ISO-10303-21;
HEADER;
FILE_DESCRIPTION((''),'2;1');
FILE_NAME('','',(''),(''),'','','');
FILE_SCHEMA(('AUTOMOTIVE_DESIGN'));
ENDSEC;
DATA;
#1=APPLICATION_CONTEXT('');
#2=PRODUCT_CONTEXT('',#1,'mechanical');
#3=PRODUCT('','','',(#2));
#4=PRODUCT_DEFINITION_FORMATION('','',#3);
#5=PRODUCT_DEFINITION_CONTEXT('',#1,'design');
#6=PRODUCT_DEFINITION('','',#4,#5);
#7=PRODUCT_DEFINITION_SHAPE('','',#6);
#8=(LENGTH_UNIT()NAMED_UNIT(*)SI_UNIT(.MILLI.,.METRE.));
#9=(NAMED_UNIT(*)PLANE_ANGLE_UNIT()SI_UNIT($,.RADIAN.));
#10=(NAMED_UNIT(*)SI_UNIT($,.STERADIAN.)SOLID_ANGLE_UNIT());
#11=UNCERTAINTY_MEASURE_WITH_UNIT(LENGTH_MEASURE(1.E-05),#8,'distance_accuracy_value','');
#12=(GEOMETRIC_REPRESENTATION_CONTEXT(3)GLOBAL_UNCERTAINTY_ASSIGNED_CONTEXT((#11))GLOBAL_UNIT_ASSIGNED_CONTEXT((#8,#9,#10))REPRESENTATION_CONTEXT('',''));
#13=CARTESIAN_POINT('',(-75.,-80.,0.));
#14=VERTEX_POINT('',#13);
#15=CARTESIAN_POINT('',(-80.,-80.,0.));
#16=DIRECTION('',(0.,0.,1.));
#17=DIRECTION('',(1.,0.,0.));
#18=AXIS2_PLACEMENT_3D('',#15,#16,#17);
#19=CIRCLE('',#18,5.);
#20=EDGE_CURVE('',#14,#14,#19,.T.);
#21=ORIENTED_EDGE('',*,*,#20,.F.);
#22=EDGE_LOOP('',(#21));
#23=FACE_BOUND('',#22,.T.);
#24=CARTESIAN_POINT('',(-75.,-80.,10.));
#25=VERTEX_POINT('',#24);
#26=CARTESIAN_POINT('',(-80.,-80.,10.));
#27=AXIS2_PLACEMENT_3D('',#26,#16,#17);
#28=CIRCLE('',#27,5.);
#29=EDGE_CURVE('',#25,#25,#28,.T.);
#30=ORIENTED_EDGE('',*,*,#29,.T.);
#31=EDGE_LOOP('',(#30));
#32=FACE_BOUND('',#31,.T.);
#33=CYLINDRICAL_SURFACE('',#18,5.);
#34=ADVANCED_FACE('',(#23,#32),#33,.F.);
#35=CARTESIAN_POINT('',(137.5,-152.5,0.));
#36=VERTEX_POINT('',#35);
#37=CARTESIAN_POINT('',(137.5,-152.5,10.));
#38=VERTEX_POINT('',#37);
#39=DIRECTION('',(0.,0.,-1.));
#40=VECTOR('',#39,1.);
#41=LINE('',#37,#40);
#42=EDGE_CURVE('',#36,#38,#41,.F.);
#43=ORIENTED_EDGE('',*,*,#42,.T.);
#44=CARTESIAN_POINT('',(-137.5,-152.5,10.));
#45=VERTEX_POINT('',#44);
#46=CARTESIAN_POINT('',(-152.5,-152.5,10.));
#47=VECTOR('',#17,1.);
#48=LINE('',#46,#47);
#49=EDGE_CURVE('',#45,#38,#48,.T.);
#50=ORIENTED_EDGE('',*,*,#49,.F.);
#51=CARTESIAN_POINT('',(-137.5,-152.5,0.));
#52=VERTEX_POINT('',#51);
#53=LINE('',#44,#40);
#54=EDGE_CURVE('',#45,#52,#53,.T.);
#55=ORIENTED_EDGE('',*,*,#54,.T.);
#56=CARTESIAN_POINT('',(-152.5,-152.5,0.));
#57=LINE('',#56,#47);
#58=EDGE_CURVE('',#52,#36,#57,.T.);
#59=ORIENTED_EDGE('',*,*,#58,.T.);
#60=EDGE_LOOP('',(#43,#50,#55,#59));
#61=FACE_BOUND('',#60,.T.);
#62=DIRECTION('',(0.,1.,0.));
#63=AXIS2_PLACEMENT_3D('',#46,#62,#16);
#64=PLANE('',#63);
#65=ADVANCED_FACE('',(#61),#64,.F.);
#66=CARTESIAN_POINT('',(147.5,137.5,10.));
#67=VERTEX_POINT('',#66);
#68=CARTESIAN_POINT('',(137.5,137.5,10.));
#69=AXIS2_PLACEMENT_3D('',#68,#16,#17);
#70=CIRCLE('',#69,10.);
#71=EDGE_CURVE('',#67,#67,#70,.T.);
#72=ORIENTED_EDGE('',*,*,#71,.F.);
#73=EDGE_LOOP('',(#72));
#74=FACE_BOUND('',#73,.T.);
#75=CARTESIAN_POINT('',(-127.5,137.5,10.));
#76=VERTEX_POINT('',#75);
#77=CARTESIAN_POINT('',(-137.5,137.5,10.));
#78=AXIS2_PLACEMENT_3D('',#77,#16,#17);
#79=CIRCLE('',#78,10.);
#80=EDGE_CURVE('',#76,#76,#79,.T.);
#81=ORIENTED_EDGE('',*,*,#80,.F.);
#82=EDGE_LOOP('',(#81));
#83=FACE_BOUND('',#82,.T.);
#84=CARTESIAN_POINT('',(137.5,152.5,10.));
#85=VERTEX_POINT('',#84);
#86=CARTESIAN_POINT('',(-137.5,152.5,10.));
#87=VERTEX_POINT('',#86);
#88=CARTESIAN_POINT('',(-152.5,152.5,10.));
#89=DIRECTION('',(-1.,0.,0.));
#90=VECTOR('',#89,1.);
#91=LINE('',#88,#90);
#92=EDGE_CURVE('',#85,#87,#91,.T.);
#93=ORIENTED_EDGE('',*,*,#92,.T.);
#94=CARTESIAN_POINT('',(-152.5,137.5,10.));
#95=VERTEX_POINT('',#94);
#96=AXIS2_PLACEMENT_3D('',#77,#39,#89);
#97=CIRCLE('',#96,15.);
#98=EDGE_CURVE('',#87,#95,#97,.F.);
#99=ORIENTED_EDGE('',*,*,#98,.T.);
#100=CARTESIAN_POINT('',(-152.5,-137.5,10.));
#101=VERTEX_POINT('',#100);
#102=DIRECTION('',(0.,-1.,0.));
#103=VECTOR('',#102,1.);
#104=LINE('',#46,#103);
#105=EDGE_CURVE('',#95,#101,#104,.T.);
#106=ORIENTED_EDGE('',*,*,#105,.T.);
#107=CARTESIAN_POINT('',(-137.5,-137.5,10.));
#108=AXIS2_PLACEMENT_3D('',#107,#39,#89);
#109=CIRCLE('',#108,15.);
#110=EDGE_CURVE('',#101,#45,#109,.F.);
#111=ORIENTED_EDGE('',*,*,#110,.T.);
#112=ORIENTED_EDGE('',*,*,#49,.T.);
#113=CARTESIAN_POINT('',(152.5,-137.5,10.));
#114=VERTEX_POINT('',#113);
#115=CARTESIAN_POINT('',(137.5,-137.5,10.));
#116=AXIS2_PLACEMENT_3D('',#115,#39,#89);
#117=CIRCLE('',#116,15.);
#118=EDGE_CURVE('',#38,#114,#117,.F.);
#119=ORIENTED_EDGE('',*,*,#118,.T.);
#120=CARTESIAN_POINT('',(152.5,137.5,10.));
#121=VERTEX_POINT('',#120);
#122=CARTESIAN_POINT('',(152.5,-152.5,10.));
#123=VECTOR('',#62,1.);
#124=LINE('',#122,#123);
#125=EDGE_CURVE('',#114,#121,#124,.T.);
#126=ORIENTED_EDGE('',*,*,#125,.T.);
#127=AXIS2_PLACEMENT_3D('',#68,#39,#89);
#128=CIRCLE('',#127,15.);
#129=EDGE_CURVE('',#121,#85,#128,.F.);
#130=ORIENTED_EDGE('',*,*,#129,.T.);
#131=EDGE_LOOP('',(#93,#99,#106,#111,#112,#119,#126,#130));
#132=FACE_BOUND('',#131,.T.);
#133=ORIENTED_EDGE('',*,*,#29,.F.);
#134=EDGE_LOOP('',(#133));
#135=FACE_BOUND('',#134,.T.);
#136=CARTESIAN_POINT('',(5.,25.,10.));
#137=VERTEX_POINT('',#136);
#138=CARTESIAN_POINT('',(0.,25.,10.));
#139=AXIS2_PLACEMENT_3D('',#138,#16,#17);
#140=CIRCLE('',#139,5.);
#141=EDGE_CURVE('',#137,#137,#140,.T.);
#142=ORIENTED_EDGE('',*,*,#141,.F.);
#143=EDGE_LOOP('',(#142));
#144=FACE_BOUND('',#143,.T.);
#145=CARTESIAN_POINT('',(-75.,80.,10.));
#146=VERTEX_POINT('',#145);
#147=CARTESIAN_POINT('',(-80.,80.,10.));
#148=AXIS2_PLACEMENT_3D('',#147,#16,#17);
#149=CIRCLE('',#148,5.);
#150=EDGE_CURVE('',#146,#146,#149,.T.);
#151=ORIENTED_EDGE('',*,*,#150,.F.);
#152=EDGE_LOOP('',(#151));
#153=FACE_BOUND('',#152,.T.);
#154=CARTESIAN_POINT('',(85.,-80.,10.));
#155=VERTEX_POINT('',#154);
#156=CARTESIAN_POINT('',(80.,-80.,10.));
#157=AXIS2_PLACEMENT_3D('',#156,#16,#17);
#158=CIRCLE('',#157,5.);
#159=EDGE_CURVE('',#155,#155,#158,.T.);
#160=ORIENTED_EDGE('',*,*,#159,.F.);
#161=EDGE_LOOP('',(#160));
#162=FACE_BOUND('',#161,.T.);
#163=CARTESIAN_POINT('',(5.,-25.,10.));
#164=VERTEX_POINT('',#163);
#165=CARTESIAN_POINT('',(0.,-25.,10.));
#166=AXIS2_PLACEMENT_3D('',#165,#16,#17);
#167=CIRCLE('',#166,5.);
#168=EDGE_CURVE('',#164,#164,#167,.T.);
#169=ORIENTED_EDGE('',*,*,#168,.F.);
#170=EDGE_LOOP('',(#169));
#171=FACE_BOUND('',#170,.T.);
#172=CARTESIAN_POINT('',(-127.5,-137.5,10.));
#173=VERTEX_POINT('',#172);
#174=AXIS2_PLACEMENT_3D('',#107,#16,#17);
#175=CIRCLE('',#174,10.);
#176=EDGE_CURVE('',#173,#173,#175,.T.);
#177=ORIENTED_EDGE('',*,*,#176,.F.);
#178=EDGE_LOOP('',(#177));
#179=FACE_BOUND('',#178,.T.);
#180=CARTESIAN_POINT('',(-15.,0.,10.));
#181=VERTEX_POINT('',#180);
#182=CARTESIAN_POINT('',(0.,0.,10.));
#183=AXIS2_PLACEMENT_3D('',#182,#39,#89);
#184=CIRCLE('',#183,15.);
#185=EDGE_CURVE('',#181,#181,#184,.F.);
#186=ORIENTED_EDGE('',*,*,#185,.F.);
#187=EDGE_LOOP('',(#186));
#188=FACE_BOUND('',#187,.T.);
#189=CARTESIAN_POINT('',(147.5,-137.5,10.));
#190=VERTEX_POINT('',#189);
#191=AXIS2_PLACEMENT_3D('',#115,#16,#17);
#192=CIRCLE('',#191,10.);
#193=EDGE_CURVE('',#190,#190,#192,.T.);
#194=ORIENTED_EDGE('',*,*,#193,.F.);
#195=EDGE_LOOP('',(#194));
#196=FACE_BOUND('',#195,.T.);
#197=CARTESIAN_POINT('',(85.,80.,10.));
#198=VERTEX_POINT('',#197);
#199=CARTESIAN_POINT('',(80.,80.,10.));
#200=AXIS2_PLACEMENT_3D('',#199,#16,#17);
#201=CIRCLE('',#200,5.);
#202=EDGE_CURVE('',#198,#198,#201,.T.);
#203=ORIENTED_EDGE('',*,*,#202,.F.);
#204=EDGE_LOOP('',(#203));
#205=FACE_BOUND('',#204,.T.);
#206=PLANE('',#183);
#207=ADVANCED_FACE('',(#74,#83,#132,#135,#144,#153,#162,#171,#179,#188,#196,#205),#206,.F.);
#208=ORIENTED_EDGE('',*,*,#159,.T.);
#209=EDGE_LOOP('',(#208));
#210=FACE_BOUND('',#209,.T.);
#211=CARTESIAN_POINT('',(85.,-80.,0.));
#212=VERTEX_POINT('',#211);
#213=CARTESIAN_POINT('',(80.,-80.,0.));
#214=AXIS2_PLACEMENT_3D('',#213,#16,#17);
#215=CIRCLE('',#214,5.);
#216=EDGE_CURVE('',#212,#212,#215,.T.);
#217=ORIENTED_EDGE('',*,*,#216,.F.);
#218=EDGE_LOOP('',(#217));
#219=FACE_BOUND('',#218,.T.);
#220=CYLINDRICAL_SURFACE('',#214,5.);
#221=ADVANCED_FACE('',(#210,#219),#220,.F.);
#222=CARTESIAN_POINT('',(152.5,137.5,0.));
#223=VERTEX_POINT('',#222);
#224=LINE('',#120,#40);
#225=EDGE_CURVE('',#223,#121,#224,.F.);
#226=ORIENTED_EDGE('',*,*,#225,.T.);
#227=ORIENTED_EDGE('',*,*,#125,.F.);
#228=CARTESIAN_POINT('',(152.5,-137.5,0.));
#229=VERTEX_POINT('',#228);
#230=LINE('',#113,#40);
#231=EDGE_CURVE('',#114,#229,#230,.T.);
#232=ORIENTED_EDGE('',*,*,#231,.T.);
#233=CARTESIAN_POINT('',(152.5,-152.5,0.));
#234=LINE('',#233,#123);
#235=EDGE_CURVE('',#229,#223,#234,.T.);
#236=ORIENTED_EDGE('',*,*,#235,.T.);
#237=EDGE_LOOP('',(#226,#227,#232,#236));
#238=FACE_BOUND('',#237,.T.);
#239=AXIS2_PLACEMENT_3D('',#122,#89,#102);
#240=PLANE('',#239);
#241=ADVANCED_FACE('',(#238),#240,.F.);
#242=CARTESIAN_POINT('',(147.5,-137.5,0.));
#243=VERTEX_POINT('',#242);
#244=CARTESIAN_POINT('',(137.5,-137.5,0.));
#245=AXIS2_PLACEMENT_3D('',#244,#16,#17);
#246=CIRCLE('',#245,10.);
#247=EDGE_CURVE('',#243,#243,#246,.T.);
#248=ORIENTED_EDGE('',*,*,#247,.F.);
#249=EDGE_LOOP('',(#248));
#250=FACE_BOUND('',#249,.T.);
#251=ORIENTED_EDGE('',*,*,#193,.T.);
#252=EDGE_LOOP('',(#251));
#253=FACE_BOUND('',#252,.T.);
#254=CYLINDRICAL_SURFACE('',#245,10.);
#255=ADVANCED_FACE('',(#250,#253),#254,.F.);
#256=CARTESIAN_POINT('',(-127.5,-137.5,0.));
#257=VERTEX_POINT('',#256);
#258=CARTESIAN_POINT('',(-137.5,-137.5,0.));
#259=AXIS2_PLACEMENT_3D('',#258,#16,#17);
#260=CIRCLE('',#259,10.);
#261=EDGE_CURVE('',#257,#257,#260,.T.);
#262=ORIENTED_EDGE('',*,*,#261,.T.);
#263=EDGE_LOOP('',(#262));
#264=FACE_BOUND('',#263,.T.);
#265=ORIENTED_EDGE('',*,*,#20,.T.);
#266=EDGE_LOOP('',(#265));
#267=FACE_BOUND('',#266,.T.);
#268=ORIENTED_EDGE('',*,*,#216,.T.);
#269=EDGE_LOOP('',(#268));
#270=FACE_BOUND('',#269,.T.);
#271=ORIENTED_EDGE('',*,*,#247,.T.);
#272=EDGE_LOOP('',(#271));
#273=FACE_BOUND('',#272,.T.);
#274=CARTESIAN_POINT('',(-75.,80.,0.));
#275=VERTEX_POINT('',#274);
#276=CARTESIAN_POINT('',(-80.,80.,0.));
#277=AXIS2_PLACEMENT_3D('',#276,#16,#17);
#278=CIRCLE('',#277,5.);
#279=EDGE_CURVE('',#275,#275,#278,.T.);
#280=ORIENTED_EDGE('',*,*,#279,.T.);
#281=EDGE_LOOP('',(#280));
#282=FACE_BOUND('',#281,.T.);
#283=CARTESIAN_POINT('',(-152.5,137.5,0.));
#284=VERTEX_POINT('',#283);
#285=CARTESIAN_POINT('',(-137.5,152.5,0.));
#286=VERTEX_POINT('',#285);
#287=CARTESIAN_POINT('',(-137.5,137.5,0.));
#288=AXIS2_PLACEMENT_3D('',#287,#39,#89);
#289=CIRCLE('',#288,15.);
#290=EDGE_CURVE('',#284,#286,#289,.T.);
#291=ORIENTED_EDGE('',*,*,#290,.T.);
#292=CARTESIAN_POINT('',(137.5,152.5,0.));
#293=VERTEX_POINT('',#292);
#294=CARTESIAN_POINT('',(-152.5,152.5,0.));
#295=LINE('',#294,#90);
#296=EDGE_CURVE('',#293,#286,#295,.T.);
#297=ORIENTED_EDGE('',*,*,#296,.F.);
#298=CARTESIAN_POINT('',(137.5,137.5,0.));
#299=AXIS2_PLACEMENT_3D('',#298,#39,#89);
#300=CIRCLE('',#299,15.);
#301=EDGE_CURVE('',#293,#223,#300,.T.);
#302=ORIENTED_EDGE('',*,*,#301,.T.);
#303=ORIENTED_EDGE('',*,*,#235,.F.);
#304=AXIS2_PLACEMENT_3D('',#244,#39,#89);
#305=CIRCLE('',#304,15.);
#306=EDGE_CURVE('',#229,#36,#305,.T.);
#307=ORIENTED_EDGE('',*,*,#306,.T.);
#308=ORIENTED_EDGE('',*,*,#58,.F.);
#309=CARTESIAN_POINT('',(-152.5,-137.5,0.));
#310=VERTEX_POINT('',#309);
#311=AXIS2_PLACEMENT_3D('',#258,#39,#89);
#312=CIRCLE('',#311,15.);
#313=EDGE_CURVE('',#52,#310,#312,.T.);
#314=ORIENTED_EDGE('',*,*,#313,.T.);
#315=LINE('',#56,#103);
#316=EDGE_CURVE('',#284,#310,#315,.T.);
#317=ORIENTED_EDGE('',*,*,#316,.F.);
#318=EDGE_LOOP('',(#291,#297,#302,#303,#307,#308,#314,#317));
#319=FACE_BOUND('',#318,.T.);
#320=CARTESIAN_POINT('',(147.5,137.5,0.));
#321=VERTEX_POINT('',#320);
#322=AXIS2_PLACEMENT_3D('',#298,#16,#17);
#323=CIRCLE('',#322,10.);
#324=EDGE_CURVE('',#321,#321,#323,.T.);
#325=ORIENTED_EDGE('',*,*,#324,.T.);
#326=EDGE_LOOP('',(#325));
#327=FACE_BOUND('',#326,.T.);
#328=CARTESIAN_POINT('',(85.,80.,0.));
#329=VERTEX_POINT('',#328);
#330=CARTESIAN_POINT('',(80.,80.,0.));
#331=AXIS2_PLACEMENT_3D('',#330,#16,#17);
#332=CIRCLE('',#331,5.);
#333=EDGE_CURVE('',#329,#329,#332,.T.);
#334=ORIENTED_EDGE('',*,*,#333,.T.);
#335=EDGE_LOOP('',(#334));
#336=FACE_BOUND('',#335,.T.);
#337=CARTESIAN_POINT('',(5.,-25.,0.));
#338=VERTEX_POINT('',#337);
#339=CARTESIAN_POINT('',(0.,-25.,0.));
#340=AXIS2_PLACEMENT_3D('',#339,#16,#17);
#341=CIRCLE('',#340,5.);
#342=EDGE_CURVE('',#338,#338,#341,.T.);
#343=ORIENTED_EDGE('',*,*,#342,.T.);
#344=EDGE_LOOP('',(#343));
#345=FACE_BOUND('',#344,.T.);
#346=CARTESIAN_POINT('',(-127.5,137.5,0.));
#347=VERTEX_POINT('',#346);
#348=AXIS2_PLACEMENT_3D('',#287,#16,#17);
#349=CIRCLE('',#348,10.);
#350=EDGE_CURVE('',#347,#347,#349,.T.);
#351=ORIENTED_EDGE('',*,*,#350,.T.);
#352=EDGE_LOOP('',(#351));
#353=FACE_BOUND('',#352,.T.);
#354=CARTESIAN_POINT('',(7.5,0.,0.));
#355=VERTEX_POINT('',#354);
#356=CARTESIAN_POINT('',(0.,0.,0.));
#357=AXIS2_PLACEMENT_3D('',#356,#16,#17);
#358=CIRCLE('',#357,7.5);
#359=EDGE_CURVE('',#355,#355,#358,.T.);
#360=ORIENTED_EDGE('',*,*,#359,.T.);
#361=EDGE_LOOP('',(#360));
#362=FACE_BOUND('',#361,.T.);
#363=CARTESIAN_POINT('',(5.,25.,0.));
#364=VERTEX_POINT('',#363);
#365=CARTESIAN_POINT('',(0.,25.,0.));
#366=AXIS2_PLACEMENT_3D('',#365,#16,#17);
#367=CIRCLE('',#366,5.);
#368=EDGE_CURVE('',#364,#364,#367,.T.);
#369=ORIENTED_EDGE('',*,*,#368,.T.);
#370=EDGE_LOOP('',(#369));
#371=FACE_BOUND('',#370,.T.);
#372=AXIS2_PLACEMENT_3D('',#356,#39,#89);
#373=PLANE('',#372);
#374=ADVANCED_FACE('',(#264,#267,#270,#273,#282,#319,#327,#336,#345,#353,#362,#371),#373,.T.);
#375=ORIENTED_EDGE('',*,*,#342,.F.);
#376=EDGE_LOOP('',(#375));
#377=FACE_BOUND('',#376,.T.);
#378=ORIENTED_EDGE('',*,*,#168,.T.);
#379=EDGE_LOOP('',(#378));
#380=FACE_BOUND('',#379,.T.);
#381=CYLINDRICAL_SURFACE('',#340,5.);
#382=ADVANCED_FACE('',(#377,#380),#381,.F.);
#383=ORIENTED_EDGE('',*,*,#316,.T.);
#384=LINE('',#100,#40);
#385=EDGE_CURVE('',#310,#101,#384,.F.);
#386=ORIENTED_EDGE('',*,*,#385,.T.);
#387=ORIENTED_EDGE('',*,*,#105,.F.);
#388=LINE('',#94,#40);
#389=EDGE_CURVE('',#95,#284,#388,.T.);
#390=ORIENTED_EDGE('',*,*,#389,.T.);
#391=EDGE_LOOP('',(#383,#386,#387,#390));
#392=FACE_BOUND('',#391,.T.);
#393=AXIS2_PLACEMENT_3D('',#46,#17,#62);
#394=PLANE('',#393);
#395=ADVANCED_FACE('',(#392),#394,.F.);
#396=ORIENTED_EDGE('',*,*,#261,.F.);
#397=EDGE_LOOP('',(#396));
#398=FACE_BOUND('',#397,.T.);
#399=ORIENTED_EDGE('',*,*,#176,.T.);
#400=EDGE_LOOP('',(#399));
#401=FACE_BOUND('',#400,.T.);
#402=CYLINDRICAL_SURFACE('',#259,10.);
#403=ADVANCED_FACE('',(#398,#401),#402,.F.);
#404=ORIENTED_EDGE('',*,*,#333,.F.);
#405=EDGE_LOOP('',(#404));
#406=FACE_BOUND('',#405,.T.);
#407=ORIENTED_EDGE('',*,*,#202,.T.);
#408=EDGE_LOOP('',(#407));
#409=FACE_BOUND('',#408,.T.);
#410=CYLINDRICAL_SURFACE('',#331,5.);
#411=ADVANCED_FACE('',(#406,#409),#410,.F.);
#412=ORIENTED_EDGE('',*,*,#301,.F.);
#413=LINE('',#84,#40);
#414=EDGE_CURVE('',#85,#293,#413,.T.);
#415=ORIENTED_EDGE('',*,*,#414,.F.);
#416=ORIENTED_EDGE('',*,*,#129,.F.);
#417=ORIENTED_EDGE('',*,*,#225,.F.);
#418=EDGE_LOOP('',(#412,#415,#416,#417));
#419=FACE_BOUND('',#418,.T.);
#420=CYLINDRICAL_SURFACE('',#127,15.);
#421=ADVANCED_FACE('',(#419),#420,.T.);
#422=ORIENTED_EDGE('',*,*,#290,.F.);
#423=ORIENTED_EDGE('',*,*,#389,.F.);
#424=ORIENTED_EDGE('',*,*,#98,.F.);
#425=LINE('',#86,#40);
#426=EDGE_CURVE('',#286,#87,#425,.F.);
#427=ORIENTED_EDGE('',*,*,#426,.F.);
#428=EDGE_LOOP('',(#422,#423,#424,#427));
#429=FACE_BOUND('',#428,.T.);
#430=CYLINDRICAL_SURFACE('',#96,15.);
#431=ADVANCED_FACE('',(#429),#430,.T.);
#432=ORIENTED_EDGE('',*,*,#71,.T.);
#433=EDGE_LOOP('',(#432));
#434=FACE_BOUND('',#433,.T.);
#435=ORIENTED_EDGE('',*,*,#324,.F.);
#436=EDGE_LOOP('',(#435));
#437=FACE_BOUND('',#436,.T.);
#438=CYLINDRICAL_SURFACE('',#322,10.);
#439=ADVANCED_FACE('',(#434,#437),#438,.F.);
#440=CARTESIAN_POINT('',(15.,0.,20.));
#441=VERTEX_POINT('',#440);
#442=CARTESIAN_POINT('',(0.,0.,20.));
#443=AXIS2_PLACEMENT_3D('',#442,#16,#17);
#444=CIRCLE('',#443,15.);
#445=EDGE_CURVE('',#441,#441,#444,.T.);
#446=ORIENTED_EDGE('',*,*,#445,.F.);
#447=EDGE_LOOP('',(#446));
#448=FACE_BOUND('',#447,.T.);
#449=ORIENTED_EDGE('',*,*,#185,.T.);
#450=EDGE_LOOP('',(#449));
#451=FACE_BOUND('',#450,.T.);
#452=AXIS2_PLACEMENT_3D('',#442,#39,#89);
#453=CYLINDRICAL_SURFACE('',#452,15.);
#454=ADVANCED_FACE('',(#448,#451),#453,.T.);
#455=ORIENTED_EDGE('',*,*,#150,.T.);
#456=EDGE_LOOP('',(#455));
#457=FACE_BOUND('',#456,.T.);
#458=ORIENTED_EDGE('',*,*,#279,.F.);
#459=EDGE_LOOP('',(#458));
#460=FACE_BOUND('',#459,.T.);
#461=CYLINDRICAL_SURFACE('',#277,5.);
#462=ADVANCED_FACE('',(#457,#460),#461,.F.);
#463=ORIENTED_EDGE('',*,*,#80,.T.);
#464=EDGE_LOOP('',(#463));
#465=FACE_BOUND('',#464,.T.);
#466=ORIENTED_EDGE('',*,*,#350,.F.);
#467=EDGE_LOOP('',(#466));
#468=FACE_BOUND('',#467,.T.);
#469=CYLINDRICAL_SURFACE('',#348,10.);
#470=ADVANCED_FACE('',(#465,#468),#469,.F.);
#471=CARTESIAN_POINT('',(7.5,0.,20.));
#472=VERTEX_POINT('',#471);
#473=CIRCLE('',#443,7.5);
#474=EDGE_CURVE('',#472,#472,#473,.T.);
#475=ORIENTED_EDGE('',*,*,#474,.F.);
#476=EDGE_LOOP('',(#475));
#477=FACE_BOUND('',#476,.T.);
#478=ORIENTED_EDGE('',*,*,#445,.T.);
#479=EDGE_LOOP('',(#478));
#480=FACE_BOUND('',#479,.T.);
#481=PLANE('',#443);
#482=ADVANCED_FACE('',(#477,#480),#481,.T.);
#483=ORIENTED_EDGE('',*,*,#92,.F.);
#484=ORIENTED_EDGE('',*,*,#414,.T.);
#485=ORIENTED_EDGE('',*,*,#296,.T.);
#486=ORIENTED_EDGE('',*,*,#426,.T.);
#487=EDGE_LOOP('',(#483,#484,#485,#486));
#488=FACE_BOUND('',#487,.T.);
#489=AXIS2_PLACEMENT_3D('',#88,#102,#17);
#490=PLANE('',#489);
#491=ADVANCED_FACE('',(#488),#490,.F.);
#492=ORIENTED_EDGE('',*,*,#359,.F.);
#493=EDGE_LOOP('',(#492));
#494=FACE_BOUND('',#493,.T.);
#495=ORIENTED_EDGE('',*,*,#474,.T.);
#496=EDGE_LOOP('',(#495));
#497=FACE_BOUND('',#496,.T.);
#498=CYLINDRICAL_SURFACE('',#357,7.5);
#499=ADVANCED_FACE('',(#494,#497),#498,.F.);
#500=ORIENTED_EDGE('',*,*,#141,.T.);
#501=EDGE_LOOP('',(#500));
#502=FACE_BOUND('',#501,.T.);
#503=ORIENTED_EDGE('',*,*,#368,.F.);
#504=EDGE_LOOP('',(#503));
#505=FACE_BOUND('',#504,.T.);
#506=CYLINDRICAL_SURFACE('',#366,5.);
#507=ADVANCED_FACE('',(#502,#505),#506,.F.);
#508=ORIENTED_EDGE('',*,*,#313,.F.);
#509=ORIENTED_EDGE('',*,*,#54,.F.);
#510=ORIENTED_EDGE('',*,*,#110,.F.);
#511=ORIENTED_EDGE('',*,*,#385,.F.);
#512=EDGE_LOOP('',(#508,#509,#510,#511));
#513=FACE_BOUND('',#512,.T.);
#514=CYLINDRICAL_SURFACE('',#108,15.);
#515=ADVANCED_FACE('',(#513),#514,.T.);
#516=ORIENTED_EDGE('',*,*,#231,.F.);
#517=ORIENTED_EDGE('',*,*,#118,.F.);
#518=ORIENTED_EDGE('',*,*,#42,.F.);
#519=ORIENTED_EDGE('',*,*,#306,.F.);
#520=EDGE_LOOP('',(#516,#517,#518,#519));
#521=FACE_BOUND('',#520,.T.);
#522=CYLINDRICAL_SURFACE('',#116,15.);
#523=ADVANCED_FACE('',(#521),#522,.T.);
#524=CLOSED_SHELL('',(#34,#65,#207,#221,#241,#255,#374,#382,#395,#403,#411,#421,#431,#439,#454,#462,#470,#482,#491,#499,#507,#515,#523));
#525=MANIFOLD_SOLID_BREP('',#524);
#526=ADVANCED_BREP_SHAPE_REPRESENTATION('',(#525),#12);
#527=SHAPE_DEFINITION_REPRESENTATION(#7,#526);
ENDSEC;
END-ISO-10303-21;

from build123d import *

# Parameters (mm, degrees)
ESQUISSE1_W              = 305
ESQUISSE1_H              = 305
BOSS_EXTRU_1_DEPTH       = 10
ESQUISSE2_R              = 10
ENL_V_MAT_EXTRU_10_DEPTH = 10
CONG_2_R                 = 15
ESQUISSE3_R              = 5
ENL_V_MAT_EXTRU_11_DEPTH = 10
ESQUISSE4_R              = 15
BOSS_EXTRU_2_DEPTH       = 10
ESQUISSE5_R              = 7.5
ENL_V_MAT_EXTRU_12_DEPTH = 20
ESQUISSE6_R              = 5
ENL_V_MAT_EXTRU_13_DEPTH = 10


with BuildPart() as part:
    # Esquisse1 → Boss.-Extru.1 (new body)
    with BuildSketch(Plane.XY):
        Rectangle(ESQUISSE1_W, ESQUISSE1_H)
    extrude(amount=BOSS_EXTRU_1_DEPTH)

    # Esquisse2 → Enlèv. mat.-Extru.10 (cut)
    with BuildSketch(Plane.XY.offset(10)):
        with Locations((137.5, 137.5)):
            Circle(ESQUISSE2_R)
        with Locations((137.5, -137.5)):
            Circle(ESQUISSE2_R)
        with Locations((-137.5, -137.5)):
            Circle(ESQUISSE2_R)
        with Locations((-137.5, 137.5)):
            Circle(ESQUISSE2_R)
    extrude(amount=-ENL_V_MAT_EXTRU_10_DEPTH, mode=Mode.SUBTRACT)

    # Congé2
    cong_2_edges = [part.edges().sort_by_distance(p)[0] for p in [
        (-152.5, 152.5, 5),
        (152.5, 152.5, 5),
        (152.5, -152.5, 5),
        (-152.5, -152.5, 5),
    ]]
    fillet(cong_2_edges, radius=CONG_2_R)

    # Esquisse3 → Enlèv. mat.-Extru.11 (cut)
    with BuildSketch(Plane.XY.offset(10)):
        with Locations((80, 80)):
            Circle(ESQUISSE3_R)
        with Locations((80, -80)):
            Circle(ESQUISSE3_R)
        with Locations((-80, -80)):
            Circle(ESQUISSE3_R)
        with Locations((-80, 80)):
            Circle(ESQUISSE3_R)
    extrude(amount=-ENL_V_MAT_EXTRU_11_DEPTH, mode=Mode.SUBTRACT)

    # Esquisse4 → Boss.-Extru.2 (add)
    with BuildSketch(Plane.XY.offset(10)):
        with Locations(Location((0, 0, 0), (0, 0, 180))):
            Circle(ESQUISSE4_R)
    extrude(amount=BOSS_EXTRU_2_DEPTH)

    # Esquisse5 → Enlèv. mat.-Extru.12 (cut)
    with BuildSketch(Plane.XY.offset(20)):
        Circle(ESQUISSE5_R)
    extrude(amount=-ENL_V_MAT_EXTRU_12_DEPTH, mode=Mode.SUBTRACT)

    # Esquisse6 → Enlèv. mat.-Extru.13 (cut)
    with BuildSketch(Plane.XY.offset(10)):
        with Locations((0, 25)):
            Circle(ESQUISSE6_R)
        with Locations((0, -25)):
            Circle(ESQUISSE6_R)
    extrude(amount=-ENL_V_MAT_EXTRU_13_DEPTH, mode=Mode.SUBTRACT)


solid = part.part
